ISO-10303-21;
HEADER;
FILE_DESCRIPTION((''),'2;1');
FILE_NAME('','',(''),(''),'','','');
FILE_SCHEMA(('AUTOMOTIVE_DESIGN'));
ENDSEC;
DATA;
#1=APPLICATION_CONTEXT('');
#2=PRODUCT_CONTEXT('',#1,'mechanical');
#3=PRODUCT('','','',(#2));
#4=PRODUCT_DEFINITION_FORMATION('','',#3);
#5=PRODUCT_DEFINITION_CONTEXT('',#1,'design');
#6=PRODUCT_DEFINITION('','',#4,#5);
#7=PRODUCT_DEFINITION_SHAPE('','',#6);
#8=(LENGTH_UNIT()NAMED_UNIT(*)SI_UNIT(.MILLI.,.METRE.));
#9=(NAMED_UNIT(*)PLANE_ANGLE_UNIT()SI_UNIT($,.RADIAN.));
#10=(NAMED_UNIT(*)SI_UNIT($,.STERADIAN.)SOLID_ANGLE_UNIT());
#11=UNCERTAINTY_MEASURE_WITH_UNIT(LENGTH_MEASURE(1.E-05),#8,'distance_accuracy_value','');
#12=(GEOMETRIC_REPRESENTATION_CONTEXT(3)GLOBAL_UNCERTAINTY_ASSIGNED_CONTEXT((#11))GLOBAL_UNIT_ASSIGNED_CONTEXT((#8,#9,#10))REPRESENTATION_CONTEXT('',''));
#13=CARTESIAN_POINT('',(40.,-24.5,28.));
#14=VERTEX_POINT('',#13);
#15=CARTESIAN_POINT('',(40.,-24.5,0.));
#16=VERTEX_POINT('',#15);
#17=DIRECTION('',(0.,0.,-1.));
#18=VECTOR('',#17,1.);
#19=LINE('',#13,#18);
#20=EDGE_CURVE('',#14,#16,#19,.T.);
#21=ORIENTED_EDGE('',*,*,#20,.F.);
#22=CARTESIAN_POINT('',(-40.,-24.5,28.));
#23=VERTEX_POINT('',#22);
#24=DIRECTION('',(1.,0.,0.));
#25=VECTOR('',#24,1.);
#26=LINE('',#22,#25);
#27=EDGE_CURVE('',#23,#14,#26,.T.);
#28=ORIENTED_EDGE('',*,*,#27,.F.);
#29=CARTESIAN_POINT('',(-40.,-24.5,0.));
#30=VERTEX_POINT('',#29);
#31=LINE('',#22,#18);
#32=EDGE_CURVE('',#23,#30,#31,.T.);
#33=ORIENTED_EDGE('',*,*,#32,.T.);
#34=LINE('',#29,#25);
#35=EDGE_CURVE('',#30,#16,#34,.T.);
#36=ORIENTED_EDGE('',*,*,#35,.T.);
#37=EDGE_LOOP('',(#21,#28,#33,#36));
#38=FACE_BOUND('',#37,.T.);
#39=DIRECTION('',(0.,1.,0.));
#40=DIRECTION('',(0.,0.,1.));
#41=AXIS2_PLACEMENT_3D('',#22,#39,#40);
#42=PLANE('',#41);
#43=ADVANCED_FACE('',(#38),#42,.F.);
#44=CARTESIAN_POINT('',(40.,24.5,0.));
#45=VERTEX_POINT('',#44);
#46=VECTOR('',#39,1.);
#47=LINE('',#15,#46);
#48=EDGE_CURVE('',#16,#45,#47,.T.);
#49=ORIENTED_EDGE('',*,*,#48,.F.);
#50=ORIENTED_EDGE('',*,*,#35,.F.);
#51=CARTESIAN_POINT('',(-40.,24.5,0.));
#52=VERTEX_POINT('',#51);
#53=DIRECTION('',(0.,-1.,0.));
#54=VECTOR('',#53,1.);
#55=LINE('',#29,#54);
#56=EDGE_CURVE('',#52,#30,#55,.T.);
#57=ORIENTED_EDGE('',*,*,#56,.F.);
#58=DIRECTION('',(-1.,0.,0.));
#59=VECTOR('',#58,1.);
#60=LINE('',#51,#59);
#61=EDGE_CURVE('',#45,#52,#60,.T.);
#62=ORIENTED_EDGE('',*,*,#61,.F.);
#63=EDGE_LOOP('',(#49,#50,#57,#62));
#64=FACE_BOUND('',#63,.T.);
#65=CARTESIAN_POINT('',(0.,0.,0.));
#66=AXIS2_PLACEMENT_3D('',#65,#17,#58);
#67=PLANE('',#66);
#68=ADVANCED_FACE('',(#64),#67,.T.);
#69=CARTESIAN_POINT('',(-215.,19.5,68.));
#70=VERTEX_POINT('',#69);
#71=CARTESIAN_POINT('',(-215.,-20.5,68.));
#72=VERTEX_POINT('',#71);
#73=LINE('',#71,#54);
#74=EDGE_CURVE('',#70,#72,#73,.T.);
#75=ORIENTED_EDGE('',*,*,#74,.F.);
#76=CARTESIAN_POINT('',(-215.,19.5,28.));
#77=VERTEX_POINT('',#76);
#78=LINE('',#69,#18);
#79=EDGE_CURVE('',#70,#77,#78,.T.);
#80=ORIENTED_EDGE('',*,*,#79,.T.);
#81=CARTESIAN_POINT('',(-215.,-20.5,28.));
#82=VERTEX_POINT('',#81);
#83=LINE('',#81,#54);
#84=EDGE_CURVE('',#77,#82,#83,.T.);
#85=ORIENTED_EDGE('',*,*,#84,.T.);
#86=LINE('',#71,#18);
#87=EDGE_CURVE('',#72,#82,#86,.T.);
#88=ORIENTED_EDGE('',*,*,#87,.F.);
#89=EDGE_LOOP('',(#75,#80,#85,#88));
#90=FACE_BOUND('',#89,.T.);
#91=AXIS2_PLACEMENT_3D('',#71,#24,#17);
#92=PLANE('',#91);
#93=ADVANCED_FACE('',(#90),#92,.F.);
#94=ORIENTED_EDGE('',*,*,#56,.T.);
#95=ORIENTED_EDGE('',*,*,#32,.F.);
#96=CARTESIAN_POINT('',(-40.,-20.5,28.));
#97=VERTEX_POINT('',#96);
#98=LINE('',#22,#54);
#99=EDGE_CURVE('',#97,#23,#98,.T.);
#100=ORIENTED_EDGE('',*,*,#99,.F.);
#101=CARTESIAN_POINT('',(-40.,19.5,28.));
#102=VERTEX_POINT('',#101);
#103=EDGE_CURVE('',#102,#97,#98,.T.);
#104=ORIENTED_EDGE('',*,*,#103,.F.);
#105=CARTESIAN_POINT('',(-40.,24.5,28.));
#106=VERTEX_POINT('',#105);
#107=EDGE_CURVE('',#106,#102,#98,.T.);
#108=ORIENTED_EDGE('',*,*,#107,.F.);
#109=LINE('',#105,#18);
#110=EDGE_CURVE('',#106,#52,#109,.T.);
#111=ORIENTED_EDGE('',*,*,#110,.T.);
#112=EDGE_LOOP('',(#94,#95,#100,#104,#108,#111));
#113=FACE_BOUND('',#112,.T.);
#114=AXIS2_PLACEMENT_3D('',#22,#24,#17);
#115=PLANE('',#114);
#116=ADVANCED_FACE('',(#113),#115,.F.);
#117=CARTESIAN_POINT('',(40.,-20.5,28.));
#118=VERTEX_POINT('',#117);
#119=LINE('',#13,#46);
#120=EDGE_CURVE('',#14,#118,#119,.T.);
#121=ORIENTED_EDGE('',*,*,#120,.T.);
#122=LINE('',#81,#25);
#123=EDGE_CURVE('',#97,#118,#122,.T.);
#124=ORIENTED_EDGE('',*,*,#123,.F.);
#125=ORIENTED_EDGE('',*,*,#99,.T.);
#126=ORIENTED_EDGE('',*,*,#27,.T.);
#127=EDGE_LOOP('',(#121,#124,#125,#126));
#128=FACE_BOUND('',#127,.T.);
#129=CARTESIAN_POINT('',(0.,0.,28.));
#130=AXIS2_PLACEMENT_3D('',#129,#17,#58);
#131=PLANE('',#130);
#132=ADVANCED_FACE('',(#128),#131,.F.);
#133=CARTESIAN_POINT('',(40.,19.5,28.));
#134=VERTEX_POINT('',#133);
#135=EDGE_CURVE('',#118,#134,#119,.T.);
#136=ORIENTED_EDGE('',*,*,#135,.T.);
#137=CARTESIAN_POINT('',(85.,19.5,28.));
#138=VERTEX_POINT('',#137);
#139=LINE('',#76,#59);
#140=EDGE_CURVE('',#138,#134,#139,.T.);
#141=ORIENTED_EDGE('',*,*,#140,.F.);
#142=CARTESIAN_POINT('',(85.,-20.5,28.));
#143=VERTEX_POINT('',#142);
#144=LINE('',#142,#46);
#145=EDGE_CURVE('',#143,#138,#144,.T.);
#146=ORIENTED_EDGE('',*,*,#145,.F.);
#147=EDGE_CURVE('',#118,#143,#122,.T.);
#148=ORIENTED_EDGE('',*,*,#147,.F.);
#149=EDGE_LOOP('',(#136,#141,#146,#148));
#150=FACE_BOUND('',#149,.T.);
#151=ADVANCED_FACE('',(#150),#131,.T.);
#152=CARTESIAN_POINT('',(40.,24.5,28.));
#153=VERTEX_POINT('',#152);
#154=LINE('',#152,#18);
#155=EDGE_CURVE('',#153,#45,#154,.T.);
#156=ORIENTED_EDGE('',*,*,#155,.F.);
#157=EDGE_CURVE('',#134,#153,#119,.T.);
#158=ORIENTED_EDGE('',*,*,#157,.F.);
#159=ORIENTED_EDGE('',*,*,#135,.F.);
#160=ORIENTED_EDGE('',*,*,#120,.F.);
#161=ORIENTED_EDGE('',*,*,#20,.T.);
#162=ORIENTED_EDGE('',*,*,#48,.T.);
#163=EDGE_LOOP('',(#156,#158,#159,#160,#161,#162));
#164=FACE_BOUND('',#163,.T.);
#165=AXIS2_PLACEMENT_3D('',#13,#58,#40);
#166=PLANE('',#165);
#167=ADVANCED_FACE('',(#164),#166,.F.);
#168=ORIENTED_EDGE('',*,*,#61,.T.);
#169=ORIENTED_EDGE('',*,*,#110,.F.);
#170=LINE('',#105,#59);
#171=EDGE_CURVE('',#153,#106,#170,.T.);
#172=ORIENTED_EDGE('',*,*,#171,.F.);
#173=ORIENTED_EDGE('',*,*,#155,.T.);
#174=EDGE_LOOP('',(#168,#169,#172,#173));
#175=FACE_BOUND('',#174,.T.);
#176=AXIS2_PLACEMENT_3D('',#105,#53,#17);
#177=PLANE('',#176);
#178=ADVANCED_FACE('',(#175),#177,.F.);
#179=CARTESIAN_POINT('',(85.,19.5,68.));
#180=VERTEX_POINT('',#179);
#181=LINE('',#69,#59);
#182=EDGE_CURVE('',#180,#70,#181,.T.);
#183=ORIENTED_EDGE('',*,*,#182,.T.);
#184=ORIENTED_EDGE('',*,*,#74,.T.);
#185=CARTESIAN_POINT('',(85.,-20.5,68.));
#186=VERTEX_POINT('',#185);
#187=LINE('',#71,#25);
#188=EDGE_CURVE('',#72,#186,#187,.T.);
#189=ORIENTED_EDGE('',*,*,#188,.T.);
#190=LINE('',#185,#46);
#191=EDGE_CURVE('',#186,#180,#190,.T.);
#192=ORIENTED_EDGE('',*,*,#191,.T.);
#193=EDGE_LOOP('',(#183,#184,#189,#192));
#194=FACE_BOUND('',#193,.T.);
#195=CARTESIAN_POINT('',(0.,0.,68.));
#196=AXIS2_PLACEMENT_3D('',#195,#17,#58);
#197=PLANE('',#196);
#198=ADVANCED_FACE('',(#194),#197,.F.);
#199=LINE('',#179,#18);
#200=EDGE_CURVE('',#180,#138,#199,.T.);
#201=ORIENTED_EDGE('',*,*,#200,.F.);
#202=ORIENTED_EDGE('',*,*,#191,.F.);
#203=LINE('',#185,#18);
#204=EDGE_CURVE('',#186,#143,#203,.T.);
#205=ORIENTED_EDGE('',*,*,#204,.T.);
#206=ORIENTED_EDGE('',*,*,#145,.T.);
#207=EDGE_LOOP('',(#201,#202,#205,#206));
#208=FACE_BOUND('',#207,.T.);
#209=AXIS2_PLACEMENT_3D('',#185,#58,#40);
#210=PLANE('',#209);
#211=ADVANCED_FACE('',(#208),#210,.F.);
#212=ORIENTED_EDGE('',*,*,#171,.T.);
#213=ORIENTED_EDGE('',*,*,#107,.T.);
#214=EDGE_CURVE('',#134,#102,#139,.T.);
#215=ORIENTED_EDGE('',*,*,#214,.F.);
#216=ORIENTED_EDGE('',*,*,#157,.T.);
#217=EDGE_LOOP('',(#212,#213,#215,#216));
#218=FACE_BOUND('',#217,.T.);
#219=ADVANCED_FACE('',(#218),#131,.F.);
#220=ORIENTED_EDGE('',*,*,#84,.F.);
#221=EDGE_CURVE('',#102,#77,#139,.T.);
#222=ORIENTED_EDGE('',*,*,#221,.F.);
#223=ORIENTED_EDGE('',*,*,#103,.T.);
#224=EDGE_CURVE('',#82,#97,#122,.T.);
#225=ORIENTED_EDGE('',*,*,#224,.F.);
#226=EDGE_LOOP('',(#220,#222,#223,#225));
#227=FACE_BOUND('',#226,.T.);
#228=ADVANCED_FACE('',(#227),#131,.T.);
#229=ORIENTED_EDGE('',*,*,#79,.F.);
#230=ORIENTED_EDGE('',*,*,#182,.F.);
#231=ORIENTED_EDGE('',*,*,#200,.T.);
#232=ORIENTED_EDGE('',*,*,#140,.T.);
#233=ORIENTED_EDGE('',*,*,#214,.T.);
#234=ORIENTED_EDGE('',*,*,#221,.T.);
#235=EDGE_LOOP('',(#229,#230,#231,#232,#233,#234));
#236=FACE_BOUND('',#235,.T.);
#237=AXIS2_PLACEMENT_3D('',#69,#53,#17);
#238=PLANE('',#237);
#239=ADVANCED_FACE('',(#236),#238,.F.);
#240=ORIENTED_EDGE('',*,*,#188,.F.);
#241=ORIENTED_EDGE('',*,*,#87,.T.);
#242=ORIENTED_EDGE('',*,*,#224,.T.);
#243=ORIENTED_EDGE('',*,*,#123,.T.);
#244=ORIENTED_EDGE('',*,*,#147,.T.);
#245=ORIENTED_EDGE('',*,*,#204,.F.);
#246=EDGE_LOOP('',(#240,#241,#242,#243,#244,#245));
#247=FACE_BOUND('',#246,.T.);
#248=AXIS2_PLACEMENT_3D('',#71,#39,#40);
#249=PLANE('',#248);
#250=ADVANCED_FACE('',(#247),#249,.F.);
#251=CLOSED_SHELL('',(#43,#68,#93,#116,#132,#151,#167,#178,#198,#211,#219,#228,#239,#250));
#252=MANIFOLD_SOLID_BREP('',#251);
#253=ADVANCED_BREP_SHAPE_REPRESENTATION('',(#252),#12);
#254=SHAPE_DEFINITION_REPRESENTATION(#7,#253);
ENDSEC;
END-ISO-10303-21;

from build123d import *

# Parameters (mm, degrees)
SKETCH1_W           = 80
SKETCH1_H           = 49
BOSS_EXTRUDE1_DEPTH = 28
SKETCH2_W           = 300
SKETCH2_H           = 40
BOSS_EXTRUDE2_DEPTH = 40


with BuildPart() as part:
    # Sketch1 → Boss-Extrude1 (new body)
    with BuildSketch(Plane.XY):
        Rectangle(SKETCH1_W, SKETCH1_H)
    extrude(amount=BOSS_EXTRUDE1_DEPTH)

    # Sketch2 → Boss-Extrude2 (add)
    with BuildSketch(Plane.XY.offset(28)):
        with Locations((-65, -0.5)):
            Rectangle(SKETCH2_W, SKETCH2_H)
    extrude(amount=BOSS_EXTRUDE2_DEPTH)


solid = part.part
